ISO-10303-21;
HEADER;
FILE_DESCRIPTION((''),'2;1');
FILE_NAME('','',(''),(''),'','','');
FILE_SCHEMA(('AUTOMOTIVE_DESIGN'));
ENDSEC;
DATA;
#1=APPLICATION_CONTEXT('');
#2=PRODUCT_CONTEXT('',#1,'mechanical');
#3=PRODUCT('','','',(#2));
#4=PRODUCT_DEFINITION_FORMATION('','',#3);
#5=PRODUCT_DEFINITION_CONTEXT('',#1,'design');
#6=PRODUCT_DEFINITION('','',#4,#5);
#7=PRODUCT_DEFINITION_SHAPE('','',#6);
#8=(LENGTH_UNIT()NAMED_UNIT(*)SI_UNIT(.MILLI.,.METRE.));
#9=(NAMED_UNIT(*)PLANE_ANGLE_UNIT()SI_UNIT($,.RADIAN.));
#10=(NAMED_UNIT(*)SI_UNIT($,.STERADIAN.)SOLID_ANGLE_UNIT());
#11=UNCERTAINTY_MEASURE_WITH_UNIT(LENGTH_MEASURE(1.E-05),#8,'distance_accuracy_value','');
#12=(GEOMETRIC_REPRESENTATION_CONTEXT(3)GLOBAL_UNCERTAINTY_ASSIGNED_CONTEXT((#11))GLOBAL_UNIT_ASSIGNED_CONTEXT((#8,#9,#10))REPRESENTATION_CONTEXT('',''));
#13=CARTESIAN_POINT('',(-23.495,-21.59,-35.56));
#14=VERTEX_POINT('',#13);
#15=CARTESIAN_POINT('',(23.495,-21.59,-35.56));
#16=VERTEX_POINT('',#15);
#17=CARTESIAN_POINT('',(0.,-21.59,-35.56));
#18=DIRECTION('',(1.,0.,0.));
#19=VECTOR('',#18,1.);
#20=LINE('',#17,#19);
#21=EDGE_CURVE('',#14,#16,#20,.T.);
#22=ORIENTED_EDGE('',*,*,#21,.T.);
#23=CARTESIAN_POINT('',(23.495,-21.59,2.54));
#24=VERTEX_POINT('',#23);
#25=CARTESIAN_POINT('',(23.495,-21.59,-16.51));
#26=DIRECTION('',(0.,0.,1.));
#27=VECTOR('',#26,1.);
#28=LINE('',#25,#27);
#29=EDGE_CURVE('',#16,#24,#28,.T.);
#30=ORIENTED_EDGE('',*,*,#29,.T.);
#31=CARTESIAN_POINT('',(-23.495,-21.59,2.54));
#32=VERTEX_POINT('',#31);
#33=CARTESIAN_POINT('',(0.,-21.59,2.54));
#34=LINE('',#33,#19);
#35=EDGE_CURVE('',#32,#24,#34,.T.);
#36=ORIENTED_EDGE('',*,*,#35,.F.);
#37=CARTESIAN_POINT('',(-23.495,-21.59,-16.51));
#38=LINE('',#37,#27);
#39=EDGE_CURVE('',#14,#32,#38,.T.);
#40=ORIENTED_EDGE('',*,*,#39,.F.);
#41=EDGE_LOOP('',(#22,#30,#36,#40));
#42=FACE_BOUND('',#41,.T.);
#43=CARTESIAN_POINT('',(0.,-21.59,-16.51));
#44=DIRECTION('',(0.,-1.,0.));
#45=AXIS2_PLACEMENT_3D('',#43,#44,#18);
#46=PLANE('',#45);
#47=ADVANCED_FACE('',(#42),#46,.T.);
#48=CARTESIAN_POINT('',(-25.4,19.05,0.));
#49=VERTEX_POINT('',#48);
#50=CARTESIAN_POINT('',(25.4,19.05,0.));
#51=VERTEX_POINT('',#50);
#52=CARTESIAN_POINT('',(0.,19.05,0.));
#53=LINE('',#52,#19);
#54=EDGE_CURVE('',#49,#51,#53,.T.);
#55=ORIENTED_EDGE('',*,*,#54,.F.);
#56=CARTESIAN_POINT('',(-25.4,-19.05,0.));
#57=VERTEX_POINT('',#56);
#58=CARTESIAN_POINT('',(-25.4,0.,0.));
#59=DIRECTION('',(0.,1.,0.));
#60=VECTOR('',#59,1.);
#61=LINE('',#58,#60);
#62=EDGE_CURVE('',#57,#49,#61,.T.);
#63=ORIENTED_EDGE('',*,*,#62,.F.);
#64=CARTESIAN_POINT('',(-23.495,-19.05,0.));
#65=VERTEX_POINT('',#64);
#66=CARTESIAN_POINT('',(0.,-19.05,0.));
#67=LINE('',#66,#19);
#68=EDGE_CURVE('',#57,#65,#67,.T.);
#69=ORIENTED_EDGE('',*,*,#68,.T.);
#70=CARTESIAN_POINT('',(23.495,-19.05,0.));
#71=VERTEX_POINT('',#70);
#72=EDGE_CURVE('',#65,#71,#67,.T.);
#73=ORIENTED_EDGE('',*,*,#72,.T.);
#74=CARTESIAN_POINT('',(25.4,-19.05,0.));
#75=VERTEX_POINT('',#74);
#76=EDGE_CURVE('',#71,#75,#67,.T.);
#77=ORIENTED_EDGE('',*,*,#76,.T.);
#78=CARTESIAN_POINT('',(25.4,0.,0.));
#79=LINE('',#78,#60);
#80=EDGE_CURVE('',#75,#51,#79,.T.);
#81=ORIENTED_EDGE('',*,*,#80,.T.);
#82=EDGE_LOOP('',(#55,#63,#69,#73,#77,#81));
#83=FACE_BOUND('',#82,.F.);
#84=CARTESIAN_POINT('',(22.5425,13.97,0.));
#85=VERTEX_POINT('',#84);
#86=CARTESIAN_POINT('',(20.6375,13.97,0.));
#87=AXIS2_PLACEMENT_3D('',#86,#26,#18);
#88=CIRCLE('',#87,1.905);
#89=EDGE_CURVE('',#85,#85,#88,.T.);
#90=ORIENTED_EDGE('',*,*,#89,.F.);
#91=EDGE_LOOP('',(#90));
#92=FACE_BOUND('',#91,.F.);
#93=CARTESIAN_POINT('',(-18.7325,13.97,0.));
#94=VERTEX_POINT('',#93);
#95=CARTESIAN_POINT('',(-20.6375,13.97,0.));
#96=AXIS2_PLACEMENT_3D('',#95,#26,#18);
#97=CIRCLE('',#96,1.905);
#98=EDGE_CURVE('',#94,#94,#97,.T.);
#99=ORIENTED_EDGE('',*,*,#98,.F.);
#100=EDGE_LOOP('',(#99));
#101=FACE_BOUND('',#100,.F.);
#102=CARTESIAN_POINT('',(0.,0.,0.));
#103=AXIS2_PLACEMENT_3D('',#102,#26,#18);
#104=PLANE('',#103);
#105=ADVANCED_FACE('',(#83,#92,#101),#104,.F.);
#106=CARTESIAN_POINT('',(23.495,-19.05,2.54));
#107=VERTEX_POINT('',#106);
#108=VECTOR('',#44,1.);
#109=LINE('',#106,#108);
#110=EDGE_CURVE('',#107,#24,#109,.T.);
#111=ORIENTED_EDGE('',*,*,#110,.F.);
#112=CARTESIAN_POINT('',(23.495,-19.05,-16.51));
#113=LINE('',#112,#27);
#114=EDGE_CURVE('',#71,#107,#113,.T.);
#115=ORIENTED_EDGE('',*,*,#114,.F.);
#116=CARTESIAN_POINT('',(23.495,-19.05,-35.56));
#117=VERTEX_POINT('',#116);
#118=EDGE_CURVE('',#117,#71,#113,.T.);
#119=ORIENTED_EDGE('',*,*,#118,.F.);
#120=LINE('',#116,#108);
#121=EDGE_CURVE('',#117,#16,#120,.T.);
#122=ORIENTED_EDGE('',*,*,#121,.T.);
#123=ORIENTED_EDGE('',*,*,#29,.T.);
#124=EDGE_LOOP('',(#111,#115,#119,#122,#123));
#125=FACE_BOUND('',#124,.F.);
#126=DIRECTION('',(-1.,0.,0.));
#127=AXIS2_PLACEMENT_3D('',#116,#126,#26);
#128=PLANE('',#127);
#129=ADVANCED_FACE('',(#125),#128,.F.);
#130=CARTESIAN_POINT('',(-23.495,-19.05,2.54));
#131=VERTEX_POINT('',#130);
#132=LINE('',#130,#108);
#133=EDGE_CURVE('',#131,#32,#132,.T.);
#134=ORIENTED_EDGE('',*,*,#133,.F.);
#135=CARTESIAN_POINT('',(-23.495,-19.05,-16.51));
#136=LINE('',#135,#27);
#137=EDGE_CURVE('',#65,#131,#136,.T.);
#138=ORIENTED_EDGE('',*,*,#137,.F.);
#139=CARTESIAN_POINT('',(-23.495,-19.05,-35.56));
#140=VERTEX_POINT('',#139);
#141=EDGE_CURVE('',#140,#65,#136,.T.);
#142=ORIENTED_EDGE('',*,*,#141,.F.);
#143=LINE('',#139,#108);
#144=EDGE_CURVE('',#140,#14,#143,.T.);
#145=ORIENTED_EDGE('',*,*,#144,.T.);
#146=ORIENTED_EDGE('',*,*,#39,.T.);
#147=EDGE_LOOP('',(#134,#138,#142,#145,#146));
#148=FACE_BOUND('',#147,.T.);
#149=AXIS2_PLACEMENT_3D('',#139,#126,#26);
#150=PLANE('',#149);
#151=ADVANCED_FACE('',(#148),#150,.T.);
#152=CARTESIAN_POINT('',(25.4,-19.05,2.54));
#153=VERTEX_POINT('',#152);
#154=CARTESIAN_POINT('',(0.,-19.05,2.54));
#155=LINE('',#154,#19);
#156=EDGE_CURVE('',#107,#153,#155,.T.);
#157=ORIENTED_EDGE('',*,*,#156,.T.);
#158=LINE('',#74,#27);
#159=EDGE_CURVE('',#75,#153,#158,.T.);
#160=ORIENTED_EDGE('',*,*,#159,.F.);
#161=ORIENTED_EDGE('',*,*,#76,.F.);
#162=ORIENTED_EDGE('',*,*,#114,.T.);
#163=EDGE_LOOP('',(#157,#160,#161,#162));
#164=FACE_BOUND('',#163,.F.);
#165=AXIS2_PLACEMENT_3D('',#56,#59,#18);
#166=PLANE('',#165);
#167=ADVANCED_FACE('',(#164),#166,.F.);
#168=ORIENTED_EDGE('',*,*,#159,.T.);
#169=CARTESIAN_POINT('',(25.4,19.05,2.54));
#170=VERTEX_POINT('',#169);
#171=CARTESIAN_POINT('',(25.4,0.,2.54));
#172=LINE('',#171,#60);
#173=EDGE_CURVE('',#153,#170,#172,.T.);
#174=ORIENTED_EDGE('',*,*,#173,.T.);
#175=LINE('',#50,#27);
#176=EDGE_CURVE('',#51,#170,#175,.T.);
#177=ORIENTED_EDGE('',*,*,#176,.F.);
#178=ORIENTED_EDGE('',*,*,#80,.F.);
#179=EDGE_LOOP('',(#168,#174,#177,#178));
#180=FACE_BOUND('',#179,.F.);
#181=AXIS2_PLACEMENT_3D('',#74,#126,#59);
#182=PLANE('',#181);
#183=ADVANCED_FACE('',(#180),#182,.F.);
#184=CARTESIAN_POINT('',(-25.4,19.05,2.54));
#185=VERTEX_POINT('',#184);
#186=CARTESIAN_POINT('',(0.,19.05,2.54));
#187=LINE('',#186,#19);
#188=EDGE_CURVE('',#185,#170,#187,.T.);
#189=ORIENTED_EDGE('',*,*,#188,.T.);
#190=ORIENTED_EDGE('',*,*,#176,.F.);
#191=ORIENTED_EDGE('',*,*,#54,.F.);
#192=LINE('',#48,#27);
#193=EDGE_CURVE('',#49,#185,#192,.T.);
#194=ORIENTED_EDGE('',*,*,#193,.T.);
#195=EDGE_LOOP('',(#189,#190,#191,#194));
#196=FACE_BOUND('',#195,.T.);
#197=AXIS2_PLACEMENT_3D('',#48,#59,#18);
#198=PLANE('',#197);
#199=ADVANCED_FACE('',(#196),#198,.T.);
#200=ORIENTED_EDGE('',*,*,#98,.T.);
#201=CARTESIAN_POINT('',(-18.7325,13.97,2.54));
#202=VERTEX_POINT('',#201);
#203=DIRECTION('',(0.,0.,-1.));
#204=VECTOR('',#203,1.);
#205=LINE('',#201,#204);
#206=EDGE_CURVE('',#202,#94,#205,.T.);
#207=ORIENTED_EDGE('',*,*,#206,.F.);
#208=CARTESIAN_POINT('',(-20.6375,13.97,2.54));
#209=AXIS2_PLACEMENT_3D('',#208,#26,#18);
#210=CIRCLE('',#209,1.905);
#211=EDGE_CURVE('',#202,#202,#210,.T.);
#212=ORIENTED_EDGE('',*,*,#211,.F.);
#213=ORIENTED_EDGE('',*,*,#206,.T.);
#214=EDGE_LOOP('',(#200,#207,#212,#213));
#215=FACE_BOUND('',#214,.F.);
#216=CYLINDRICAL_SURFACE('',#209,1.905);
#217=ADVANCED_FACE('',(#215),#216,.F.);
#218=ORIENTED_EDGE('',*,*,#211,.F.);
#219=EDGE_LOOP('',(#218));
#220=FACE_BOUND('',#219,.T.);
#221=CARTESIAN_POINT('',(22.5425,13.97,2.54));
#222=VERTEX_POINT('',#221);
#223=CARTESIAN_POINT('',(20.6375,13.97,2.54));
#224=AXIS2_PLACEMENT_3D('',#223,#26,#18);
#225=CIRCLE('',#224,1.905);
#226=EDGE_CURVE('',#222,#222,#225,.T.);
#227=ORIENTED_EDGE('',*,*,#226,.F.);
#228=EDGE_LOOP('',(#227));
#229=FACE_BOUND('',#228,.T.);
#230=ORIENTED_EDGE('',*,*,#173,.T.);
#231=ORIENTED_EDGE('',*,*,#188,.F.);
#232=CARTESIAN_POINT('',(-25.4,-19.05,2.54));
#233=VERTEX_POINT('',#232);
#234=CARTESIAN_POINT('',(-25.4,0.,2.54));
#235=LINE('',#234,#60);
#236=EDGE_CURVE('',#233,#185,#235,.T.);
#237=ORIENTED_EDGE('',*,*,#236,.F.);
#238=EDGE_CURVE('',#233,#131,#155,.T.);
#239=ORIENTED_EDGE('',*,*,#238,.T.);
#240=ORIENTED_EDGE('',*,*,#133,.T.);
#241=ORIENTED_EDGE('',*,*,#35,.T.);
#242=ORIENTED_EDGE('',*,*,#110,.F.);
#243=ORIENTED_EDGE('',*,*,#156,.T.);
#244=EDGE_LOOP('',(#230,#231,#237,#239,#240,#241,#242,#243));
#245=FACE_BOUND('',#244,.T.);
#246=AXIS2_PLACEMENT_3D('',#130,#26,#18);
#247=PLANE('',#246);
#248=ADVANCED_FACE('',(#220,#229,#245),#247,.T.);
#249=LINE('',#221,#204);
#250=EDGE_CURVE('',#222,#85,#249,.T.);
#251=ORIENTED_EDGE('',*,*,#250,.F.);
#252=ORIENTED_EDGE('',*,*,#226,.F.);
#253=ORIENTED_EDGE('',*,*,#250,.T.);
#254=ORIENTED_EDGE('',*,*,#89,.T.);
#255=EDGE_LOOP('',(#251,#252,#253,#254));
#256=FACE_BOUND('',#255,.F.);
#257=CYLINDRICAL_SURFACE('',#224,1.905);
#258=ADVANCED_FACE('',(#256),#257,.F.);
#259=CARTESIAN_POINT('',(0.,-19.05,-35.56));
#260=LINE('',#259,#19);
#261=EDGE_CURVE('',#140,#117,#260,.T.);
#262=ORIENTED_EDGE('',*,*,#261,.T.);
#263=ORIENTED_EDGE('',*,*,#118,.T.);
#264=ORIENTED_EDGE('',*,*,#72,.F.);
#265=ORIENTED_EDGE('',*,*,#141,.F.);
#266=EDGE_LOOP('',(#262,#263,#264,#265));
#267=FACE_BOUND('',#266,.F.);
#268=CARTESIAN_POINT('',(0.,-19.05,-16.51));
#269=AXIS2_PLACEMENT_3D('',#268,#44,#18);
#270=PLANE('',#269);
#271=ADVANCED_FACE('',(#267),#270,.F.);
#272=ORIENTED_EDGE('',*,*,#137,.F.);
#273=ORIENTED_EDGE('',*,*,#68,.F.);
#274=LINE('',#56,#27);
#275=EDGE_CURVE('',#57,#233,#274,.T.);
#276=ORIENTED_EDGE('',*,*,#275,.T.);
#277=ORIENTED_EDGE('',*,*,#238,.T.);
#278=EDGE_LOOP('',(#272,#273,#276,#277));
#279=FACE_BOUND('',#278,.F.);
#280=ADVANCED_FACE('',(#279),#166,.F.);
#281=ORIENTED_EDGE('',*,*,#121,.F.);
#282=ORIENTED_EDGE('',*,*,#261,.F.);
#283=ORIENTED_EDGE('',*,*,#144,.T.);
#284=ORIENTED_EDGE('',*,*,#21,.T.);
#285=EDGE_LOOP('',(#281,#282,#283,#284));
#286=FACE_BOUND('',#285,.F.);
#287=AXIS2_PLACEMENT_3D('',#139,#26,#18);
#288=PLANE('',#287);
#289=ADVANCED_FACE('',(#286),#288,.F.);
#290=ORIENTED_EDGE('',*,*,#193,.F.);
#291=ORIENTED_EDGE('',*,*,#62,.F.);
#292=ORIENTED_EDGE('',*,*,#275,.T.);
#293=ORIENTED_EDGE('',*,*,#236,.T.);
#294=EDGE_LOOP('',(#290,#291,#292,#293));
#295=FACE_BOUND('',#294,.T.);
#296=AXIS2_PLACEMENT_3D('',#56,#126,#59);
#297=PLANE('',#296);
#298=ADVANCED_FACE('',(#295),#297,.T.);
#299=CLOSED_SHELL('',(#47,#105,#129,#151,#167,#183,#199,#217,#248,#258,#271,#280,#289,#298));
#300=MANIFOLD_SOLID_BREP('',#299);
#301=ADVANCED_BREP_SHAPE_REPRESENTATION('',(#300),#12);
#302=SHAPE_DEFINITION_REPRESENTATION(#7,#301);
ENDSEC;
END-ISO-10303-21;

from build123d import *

# Parameters (mm, degrees)
F0_W     = 50.8
F0_H     = 38.1
F1_DEPTH = 2.54
F2_W     = 46.99
F2_H     = 38.1
F3_DEPTH = 2.54
F4_R     = 1.905
F5_DEPTH = 38.101


with BuildPart() as f1:
    # F0 (on Top) → F1 (new body)
    with BuildSketch(Plane.XY):
        Rectangle(F0_W, F0_H)
    extrude(amount=F1_DEPTH)

    # F2 (on face) → F3 (join)
    with BuildSketch(Plane.XZ.offset(19.05)):
        with Locations((0, -16.51)):
            Rectangle(F2_W, F2_H)
    extrude(amount=F3_DEPTH)

    # F4 (on face) → F5 (cut, through all)
    with BuildSketch(Plane.XY.offset(2.54)):
        with Locations((20.6375, 13.97)):
            Circle(F4_R)
        with Locations((-20.6375, 13.97)):
            Circle(F4_R)
    extrude(amount=-F5_DEPTH, mode=Mode.SUBTRACT)


solid = f1.part
